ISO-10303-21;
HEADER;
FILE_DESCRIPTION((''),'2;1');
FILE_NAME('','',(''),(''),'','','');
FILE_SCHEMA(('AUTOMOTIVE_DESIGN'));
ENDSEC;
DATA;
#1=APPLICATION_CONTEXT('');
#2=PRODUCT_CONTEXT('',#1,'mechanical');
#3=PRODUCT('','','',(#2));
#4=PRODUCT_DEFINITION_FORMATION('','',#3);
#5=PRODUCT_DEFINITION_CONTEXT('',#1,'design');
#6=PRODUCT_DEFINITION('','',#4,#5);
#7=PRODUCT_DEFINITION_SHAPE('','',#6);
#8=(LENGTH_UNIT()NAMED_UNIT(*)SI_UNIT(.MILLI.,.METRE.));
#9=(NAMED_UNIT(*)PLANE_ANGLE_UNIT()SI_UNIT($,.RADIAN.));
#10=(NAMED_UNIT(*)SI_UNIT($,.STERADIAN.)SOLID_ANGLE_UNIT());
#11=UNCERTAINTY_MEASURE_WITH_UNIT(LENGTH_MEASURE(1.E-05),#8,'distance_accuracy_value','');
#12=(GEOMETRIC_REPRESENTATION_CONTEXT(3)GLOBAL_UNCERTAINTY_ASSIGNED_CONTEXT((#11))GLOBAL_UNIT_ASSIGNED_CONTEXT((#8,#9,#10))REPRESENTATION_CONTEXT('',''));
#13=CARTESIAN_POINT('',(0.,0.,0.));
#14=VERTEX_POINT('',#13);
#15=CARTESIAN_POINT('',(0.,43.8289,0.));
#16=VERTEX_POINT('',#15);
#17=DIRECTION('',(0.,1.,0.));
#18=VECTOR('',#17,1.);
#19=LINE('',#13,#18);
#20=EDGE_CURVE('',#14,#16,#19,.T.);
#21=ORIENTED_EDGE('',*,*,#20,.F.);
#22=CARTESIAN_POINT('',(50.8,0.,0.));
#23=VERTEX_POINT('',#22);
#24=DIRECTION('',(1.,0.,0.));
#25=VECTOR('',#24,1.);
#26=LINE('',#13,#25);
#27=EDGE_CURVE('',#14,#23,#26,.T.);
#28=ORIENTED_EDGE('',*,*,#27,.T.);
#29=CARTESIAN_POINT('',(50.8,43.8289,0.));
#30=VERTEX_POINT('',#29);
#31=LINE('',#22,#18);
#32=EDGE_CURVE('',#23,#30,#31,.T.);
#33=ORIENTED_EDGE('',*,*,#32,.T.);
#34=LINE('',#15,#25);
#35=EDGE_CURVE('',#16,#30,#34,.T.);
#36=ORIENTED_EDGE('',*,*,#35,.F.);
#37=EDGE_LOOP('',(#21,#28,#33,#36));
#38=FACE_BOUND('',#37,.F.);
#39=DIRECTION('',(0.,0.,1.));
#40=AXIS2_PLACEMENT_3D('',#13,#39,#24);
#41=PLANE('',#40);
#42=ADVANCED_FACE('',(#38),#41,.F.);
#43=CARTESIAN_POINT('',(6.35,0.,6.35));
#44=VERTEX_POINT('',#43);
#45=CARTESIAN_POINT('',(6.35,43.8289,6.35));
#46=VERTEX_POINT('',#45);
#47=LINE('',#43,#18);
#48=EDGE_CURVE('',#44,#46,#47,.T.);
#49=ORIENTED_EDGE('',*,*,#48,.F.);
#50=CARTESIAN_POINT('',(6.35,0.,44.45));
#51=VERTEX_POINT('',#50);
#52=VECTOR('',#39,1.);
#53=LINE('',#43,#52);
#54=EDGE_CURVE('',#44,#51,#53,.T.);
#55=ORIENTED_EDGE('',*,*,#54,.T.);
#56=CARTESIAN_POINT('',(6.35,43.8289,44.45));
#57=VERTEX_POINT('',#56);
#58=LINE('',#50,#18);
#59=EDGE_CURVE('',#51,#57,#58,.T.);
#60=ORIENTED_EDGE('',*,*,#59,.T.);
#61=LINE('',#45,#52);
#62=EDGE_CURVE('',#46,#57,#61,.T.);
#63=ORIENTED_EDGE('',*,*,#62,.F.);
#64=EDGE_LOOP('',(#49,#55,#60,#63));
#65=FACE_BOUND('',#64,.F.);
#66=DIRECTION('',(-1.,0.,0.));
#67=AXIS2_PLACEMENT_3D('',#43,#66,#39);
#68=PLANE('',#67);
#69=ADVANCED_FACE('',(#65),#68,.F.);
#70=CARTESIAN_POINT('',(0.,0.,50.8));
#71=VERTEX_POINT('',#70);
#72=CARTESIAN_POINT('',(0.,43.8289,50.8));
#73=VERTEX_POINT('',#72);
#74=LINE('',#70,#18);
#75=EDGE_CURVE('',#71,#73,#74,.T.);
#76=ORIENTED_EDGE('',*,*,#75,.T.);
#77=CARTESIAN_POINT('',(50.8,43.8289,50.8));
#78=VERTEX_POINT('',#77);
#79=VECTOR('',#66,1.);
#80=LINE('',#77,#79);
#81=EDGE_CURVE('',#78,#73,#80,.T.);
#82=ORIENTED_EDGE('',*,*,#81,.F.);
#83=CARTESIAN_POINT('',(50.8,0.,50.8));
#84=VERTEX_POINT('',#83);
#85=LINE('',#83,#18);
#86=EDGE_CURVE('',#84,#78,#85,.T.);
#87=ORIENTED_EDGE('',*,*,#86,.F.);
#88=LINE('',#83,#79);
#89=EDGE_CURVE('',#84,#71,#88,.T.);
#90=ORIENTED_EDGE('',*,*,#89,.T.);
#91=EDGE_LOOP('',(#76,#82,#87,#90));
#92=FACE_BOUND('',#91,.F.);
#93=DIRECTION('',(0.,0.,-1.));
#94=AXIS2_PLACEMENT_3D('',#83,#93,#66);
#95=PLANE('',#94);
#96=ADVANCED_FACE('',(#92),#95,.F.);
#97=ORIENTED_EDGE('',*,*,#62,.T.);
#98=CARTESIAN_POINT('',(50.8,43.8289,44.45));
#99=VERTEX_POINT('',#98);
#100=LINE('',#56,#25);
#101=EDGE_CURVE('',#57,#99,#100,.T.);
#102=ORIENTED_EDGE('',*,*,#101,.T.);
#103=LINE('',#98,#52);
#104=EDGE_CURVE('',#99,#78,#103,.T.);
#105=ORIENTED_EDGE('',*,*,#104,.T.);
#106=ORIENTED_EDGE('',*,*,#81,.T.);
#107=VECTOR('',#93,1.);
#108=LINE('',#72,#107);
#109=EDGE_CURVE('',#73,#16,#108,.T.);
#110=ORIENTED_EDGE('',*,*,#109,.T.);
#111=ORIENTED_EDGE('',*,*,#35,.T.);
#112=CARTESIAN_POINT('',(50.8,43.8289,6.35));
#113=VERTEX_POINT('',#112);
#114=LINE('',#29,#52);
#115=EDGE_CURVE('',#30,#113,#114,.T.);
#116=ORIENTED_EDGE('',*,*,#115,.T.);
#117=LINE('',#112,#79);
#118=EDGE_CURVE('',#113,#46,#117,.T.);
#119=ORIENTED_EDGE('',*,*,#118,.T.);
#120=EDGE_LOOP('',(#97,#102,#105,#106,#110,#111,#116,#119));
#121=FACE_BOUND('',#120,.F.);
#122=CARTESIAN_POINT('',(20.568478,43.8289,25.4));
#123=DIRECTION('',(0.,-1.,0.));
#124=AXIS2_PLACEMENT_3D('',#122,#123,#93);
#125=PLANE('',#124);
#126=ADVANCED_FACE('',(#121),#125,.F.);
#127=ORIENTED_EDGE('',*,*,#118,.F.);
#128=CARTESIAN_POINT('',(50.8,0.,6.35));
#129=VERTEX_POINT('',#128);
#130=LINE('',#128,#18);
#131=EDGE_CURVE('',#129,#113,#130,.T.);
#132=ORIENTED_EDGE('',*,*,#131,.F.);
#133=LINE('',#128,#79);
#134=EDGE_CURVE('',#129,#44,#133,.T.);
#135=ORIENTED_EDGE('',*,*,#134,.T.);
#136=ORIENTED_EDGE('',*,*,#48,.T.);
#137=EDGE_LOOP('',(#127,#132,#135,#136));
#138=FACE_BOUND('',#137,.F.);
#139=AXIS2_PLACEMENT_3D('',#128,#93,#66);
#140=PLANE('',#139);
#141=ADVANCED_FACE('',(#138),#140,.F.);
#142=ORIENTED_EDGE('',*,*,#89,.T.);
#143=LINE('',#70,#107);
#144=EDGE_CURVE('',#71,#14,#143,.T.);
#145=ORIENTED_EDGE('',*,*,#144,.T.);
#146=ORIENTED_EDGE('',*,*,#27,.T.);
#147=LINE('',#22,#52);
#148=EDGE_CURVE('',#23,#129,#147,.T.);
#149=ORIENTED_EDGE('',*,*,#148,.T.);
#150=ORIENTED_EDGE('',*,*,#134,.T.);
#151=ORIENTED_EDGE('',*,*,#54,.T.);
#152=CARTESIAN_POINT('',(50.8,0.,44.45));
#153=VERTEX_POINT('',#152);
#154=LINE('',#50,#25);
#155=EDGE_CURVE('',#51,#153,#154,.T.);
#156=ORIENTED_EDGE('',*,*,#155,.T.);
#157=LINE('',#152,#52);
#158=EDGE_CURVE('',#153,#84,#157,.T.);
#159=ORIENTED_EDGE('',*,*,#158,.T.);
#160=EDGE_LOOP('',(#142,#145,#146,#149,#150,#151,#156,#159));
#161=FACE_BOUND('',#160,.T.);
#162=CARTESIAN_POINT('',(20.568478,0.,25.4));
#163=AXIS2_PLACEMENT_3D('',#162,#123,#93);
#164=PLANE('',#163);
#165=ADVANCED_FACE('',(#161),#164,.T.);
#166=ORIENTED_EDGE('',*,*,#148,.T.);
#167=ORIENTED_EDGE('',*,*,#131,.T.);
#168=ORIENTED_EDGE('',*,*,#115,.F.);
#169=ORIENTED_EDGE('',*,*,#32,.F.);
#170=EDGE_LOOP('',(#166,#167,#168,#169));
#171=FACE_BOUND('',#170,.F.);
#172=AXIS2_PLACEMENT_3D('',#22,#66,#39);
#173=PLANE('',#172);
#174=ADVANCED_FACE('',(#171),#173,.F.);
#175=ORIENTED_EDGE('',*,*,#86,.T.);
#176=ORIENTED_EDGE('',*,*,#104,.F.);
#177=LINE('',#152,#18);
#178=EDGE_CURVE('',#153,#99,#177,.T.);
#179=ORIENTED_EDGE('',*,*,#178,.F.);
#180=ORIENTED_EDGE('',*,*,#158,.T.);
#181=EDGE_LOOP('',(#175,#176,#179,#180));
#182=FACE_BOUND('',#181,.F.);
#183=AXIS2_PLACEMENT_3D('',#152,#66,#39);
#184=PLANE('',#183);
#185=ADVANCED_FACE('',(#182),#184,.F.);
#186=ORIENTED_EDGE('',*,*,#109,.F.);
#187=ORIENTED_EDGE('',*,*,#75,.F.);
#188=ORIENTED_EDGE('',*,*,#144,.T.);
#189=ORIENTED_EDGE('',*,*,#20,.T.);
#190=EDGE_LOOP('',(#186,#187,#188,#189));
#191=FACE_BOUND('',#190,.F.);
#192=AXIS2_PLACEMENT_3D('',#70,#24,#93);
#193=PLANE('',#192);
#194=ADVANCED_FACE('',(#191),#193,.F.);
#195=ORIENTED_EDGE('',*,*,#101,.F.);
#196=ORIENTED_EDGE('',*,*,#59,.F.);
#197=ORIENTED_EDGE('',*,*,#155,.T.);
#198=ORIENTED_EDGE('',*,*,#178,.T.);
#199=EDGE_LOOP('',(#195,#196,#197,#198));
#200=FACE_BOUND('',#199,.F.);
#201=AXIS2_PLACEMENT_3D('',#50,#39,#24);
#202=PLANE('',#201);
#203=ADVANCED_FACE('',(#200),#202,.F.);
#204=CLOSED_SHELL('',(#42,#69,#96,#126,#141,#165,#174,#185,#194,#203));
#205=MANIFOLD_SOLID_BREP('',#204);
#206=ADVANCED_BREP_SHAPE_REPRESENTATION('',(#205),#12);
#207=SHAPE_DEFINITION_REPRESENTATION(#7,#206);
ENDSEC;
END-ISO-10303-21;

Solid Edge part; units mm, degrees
sketch "Sketch1" plane through (0, 0, 0) normal (1, 0, 0) x (0, 1, 0)
  line L0 (0, 0) -> (43.8289, 0)
sketch "Sketch2" plane through (0, 0, 0) normal (0, -1, 0) x (1, 0, 0)
  line L0 (0, 50.8) -> (0, 0)
  line L1 (0, 0) -> (50.8, 0)
  line L2 (50.8, 0) -> (50.8, 6.35)
  line L3 (50.8, 6.35) -> (6.35, 6.35)
  line L4 (6.35, 6.35) -> (6.35, 44.45)
  line L5 (6.35, 44.45) -> (50.8, 44.45)
  line L6 (50.8, 44.45) -> (50.8, 50.8)
  line L7 (50.8, 50.8) -> (0, 50.8)
  dimension "D1" = 50.8
  dimension "D2" = 50.8
  dimension "D3" = 6.35
sweep "SweptProtrusion_1" add profiles "Sketch2" path "Sketch1"
